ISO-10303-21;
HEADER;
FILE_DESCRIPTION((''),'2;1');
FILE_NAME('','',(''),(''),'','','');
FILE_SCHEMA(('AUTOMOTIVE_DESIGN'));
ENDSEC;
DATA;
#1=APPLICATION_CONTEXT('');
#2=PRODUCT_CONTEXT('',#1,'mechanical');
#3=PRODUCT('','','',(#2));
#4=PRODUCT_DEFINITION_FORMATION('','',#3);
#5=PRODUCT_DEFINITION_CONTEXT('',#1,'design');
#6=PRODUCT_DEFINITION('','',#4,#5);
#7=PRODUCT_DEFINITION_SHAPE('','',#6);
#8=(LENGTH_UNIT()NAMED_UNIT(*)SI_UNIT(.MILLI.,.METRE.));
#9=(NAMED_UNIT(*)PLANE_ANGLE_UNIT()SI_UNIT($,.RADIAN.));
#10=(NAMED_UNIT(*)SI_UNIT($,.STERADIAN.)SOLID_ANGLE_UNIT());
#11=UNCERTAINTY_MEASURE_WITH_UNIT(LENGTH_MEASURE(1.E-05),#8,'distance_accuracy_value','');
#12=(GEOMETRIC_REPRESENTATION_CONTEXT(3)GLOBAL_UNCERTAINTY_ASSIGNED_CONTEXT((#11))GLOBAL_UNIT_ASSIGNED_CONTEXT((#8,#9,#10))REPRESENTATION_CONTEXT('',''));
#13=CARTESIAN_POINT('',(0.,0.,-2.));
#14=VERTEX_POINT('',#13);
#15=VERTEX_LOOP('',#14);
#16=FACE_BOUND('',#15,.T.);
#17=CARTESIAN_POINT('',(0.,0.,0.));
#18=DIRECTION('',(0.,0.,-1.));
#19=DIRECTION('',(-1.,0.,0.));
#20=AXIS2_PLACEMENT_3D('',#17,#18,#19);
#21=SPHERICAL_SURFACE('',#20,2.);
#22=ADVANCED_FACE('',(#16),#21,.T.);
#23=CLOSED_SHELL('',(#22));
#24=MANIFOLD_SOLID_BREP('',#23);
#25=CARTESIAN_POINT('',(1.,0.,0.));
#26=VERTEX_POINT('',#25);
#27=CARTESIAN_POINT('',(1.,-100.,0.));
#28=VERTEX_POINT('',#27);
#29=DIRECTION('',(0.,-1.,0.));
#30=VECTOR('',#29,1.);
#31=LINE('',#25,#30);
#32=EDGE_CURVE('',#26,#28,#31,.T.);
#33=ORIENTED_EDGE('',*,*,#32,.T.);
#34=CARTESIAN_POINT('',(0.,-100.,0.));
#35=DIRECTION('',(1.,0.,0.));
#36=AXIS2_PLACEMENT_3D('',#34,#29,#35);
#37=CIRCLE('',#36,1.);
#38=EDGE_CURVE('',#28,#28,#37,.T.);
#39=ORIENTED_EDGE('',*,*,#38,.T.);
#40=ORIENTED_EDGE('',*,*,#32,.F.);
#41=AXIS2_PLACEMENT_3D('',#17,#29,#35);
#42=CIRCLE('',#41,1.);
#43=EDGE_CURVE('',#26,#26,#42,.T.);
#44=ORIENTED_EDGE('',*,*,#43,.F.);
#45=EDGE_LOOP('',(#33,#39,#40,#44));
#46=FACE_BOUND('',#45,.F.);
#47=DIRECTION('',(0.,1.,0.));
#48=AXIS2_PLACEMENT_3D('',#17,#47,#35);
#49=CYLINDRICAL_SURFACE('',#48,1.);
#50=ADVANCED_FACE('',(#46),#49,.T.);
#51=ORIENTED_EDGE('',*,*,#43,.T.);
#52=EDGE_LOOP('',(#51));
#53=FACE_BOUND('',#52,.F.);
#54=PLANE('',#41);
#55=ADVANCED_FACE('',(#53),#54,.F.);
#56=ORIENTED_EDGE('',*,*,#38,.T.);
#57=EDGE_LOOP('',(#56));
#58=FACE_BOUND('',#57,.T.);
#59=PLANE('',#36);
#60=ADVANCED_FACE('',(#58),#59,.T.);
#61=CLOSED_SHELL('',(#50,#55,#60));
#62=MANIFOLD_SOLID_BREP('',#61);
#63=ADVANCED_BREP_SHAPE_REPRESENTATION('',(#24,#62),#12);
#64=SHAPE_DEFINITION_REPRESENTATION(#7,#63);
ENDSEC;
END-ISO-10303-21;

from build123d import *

# Parameters (mm, degrees)
F2_R     = 1
F3_DEPTH = 100


with BuildPart() as f1:
    # F0 (on Front) → F1 (revolve)
    with BuildSketch(Plane.XZ):
        with BuildLine():
            Line((0, -2), (0, 2))
            ThreePointArc((0, 2), (-2, 0), (0, -2))
        make_face()
    revolve(axis=Axis((0, 0, 0), (0, 0, -1)))


with BuildPart() as f3:
    # F2 (on Front) → F3 (new body)
    with BuildSketch(Plane.XZ):
        Circle(F2_R)
    extrude(amount=F3_DEPTH)


solid = Compound([f1.part, f3.part])
